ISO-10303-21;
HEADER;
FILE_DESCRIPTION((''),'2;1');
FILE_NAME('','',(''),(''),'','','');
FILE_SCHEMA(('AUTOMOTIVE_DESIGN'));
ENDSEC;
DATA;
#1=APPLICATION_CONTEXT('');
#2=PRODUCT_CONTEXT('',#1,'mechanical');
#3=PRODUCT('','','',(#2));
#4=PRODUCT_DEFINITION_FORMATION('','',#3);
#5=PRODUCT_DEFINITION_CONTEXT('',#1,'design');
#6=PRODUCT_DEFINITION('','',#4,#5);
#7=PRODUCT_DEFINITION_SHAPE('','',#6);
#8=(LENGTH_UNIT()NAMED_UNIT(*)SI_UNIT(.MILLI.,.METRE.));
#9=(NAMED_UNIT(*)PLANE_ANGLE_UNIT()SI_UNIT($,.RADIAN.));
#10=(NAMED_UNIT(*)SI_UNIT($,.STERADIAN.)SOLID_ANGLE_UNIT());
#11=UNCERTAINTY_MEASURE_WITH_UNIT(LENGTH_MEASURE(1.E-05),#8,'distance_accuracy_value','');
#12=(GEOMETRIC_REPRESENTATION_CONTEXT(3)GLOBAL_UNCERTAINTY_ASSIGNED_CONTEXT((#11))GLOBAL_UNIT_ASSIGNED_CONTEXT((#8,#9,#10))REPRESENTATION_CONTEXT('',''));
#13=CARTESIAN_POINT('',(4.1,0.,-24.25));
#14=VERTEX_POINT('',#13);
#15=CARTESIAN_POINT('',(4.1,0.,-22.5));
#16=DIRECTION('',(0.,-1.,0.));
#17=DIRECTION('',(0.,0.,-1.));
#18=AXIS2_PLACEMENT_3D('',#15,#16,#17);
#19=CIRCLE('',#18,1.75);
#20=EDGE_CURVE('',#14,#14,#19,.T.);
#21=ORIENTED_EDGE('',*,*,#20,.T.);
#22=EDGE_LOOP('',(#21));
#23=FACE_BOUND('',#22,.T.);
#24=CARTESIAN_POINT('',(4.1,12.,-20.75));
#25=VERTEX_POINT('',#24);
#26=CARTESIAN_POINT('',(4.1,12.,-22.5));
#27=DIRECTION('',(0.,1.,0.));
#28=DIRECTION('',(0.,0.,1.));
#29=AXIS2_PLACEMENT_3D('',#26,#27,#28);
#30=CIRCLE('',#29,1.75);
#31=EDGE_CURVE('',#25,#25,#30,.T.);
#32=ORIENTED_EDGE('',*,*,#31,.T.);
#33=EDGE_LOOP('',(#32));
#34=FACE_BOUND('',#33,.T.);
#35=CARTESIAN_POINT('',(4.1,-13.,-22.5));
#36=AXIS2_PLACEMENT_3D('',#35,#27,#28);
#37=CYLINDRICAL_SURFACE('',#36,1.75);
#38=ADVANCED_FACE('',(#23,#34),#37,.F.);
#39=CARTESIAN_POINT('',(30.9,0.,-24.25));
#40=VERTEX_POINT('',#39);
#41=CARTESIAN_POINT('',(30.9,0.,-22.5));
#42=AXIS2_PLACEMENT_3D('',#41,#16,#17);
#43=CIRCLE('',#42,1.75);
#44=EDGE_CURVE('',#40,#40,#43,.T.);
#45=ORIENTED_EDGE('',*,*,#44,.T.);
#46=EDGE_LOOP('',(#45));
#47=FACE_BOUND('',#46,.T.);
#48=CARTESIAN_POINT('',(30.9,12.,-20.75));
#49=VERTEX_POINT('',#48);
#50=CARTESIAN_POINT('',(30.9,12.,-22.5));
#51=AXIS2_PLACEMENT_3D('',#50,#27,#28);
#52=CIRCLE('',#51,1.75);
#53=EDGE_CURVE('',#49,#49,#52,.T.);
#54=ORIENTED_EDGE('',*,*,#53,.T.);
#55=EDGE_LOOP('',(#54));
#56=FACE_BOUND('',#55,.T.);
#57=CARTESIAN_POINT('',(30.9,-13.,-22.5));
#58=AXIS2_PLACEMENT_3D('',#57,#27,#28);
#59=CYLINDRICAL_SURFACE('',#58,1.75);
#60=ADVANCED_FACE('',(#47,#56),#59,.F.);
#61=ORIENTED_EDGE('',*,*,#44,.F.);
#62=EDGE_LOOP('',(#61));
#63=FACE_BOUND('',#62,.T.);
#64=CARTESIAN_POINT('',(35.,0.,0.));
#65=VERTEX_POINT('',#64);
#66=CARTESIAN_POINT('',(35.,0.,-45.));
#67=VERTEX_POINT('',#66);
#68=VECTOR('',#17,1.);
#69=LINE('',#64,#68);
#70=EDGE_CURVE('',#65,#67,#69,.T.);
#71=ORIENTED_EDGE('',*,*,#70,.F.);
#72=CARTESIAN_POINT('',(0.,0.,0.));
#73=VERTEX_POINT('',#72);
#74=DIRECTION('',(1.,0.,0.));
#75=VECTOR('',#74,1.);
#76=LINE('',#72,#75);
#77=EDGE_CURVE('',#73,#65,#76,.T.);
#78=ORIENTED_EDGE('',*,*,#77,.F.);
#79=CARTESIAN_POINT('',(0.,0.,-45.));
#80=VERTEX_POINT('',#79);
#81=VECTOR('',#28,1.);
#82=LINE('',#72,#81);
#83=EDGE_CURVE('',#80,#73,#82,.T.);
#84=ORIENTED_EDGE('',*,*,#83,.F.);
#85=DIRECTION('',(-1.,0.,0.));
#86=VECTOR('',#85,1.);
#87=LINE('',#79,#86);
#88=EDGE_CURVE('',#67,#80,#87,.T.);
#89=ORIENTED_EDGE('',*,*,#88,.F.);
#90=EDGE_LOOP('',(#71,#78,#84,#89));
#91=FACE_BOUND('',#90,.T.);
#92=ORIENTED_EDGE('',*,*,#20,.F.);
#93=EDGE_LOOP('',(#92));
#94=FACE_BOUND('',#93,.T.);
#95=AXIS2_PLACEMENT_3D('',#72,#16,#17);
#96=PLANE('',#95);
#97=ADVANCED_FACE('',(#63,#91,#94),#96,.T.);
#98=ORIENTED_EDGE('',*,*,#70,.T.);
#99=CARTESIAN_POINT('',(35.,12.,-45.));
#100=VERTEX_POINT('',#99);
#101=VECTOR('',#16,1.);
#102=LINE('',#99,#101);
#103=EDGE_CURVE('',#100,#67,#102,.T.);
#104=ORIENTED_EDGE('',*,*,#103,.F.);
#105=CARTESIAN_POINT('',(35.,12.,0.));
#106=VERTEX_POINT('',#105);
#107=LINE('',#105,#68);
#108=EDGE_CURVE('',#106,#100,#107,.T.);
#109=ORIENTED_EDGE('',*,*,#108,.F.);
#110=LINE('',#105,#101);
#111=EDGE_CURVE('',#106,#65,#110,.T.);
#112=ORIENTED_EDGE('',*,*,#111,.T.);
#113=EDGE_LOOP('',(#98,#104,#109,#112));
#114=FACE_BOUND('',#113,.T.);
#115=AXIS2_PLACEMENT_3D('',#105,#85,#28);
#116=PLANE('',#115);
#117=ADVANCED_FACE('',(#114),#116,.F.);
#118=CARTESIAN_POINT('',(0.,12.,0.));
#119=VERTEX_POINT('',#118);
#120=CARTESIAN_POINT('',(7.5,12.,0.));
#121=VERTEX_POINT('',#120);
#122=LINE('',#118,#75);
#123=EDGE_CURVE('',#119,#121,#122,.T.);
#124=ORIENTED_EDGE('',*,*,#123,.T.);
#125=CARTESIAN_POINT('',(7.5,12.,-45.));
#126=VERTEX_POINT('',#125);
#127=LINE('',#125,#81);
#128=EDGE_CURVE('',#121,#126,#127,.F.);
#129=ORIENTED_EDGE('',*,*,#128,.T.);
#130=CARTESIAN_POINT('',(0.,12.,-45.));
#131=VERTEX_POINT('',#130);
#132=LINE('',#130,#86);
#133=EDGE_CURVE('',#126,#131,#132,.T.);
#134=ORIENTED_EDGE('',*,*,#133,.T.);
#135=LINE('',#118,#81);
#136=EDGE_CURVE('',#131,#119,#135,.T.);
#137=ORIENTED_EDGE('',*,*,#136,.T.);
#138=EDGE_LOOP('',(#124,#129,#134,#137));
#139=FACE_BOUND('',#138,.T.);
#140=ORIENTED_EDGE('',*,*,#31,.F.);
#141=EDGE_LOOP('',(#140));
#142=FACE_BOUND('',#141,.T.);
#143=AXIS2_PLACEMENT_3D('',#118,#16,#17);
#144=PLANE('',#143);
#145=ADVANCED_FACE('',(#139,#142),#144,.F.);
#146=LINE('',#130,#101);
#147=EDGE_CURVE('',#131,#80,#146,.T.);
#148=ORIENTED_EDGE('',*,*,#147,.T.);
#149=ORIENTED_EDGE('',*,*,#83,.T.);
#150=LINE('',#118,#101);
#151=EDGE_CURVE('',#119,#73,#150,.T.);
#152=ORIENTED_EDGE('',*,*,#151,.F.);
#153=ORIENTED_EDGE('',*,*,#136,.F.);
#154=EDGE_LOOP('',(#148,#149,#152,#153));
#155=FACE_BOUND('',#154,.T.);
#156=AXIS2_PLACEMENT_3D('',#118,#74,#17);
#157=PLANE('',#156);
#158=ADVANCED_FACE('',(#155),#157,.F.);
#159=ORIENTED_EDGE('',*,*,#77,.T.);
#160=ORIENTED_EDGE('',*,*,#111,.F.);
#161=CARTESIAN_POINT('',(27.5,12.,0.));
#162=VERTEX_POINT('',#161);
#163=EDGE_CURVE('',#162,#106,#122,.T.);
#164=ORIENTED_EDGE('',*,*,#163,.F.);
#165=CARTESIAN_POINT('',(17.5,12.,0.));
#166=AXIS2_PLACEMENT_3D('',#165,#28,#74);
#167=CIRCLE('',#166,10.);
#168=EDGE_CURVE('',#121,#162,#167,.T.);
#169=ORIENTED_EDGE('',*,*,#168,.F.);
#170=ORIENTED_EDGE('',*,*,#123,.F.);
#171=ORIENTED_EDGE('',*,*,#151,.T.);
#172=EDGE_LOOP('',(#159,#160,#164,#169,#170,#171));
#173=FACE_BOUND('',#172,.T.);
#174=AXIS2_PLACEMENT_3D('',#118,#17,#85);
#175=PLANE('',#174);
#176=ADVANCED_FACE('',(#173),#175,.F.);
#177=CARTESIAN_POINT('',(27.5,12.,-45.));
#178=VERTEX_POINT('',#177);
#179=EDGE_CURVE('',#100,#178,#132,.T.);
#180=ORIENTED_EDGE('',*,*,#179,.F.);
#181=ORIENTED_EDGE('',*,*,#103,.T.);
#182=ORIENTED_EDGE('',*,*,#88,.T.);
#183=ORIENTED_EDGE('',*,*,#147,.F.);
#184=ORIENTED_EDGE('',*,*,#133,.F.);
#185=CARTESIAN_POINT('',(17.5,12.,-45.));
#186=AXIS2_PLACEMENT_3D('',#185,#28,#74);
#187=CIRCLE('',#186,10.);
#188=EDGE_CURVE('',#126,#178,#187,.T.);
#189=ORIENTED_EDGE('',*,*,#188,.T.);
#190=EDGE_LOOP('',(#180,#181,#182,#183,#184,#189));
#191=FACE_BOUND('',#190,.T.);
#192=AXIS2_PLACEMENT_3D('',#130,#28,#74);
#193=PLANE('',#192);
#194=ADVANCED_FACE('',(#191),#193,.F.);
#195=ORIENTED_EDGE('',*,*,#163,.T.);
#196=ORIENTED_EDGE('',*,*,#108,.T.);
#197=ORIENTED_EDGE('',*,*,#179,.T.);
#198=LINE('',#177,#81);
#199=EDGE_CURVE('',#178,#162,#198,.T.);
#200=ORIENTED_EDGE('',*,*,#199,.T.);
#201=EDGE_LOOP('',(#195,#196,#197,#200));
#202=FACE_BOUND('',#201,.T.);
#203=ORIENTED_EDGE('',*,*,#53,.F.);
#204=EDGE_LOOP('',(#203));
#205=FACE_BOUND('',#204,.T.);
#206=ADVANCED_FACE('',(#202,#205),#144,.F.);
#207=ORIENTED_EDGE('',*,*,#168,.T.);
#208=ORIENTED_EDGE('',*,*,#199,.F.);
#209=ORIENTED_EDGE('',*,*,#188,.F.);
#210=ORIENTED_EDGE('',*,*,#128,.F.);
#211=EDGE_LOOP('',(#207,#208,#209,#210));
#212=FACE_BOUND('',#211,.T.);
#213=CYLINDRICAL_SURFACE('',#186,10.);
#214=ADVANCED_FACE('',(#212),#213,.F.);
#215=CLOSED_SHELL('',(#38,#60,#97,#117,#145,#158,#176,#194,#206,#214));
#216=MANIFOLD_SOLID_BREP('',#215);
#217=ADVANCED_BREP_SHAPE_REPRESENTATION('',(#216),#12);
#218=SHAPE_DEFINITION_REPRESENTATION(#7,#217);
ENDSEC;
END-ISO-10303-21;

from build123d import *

# Parameters (mm, degrees)
SKETCH1_W           = 35
SKETCH1_H           = 45
BOSS_EXTRUDE1_DEPTH = 12
SKETCH2_R           = 10
CUT_EXTRUDE1_DEPTH  = 59.258046655
SKETCH3_R           = 1.75
CUT_EXTRUDE2_DEPTH  = 25


with BuildPart() as part:
    # Sketch1 → Boss-Extrude1 (new body)
    with BuildSketch(Plane(origin=(0, 0, 0), x_dir=(1, 0, 0), z_dir=(0, 1, 0))):
        with Locations((17.5, 22.5)):
            Rectangle(SKETCH1_W, SKETCH1_H)
    extrude(amount=BOSS_EXTRUDE1_DEPTH)

    # Sketch2 → Cut-Extrude1 (cut, through all)
    with BuildSketch(Plane.XY):
        with Locations((17.5, 12)):
            Circle(SKETCH2_R)
    extrude(amount=-CUT_EXTRUDE1_DEPTH, mode=Mode.SUBTRACT)

    # Sketch3 → Cut-Extrude2 (cut)
    with BuildSketch(Plane(origin=(0, 12, 0), x_dir=(1, 0, 0), z_dir=(0, 1, 0))):
        with Locations(Location((30.9, 22.5, 0), (0, 0, 270))):
            Circle(SKETCH3_R)
        with Locations(Location((4.1, 22.5, 0), (0, 0, 270))):
            Circle(SKETCH3_R)
    extrude(amount=-CUT_EXTRUDE2_DEPTH, mode=Mode.SUBTRACT)


solid = part.part
